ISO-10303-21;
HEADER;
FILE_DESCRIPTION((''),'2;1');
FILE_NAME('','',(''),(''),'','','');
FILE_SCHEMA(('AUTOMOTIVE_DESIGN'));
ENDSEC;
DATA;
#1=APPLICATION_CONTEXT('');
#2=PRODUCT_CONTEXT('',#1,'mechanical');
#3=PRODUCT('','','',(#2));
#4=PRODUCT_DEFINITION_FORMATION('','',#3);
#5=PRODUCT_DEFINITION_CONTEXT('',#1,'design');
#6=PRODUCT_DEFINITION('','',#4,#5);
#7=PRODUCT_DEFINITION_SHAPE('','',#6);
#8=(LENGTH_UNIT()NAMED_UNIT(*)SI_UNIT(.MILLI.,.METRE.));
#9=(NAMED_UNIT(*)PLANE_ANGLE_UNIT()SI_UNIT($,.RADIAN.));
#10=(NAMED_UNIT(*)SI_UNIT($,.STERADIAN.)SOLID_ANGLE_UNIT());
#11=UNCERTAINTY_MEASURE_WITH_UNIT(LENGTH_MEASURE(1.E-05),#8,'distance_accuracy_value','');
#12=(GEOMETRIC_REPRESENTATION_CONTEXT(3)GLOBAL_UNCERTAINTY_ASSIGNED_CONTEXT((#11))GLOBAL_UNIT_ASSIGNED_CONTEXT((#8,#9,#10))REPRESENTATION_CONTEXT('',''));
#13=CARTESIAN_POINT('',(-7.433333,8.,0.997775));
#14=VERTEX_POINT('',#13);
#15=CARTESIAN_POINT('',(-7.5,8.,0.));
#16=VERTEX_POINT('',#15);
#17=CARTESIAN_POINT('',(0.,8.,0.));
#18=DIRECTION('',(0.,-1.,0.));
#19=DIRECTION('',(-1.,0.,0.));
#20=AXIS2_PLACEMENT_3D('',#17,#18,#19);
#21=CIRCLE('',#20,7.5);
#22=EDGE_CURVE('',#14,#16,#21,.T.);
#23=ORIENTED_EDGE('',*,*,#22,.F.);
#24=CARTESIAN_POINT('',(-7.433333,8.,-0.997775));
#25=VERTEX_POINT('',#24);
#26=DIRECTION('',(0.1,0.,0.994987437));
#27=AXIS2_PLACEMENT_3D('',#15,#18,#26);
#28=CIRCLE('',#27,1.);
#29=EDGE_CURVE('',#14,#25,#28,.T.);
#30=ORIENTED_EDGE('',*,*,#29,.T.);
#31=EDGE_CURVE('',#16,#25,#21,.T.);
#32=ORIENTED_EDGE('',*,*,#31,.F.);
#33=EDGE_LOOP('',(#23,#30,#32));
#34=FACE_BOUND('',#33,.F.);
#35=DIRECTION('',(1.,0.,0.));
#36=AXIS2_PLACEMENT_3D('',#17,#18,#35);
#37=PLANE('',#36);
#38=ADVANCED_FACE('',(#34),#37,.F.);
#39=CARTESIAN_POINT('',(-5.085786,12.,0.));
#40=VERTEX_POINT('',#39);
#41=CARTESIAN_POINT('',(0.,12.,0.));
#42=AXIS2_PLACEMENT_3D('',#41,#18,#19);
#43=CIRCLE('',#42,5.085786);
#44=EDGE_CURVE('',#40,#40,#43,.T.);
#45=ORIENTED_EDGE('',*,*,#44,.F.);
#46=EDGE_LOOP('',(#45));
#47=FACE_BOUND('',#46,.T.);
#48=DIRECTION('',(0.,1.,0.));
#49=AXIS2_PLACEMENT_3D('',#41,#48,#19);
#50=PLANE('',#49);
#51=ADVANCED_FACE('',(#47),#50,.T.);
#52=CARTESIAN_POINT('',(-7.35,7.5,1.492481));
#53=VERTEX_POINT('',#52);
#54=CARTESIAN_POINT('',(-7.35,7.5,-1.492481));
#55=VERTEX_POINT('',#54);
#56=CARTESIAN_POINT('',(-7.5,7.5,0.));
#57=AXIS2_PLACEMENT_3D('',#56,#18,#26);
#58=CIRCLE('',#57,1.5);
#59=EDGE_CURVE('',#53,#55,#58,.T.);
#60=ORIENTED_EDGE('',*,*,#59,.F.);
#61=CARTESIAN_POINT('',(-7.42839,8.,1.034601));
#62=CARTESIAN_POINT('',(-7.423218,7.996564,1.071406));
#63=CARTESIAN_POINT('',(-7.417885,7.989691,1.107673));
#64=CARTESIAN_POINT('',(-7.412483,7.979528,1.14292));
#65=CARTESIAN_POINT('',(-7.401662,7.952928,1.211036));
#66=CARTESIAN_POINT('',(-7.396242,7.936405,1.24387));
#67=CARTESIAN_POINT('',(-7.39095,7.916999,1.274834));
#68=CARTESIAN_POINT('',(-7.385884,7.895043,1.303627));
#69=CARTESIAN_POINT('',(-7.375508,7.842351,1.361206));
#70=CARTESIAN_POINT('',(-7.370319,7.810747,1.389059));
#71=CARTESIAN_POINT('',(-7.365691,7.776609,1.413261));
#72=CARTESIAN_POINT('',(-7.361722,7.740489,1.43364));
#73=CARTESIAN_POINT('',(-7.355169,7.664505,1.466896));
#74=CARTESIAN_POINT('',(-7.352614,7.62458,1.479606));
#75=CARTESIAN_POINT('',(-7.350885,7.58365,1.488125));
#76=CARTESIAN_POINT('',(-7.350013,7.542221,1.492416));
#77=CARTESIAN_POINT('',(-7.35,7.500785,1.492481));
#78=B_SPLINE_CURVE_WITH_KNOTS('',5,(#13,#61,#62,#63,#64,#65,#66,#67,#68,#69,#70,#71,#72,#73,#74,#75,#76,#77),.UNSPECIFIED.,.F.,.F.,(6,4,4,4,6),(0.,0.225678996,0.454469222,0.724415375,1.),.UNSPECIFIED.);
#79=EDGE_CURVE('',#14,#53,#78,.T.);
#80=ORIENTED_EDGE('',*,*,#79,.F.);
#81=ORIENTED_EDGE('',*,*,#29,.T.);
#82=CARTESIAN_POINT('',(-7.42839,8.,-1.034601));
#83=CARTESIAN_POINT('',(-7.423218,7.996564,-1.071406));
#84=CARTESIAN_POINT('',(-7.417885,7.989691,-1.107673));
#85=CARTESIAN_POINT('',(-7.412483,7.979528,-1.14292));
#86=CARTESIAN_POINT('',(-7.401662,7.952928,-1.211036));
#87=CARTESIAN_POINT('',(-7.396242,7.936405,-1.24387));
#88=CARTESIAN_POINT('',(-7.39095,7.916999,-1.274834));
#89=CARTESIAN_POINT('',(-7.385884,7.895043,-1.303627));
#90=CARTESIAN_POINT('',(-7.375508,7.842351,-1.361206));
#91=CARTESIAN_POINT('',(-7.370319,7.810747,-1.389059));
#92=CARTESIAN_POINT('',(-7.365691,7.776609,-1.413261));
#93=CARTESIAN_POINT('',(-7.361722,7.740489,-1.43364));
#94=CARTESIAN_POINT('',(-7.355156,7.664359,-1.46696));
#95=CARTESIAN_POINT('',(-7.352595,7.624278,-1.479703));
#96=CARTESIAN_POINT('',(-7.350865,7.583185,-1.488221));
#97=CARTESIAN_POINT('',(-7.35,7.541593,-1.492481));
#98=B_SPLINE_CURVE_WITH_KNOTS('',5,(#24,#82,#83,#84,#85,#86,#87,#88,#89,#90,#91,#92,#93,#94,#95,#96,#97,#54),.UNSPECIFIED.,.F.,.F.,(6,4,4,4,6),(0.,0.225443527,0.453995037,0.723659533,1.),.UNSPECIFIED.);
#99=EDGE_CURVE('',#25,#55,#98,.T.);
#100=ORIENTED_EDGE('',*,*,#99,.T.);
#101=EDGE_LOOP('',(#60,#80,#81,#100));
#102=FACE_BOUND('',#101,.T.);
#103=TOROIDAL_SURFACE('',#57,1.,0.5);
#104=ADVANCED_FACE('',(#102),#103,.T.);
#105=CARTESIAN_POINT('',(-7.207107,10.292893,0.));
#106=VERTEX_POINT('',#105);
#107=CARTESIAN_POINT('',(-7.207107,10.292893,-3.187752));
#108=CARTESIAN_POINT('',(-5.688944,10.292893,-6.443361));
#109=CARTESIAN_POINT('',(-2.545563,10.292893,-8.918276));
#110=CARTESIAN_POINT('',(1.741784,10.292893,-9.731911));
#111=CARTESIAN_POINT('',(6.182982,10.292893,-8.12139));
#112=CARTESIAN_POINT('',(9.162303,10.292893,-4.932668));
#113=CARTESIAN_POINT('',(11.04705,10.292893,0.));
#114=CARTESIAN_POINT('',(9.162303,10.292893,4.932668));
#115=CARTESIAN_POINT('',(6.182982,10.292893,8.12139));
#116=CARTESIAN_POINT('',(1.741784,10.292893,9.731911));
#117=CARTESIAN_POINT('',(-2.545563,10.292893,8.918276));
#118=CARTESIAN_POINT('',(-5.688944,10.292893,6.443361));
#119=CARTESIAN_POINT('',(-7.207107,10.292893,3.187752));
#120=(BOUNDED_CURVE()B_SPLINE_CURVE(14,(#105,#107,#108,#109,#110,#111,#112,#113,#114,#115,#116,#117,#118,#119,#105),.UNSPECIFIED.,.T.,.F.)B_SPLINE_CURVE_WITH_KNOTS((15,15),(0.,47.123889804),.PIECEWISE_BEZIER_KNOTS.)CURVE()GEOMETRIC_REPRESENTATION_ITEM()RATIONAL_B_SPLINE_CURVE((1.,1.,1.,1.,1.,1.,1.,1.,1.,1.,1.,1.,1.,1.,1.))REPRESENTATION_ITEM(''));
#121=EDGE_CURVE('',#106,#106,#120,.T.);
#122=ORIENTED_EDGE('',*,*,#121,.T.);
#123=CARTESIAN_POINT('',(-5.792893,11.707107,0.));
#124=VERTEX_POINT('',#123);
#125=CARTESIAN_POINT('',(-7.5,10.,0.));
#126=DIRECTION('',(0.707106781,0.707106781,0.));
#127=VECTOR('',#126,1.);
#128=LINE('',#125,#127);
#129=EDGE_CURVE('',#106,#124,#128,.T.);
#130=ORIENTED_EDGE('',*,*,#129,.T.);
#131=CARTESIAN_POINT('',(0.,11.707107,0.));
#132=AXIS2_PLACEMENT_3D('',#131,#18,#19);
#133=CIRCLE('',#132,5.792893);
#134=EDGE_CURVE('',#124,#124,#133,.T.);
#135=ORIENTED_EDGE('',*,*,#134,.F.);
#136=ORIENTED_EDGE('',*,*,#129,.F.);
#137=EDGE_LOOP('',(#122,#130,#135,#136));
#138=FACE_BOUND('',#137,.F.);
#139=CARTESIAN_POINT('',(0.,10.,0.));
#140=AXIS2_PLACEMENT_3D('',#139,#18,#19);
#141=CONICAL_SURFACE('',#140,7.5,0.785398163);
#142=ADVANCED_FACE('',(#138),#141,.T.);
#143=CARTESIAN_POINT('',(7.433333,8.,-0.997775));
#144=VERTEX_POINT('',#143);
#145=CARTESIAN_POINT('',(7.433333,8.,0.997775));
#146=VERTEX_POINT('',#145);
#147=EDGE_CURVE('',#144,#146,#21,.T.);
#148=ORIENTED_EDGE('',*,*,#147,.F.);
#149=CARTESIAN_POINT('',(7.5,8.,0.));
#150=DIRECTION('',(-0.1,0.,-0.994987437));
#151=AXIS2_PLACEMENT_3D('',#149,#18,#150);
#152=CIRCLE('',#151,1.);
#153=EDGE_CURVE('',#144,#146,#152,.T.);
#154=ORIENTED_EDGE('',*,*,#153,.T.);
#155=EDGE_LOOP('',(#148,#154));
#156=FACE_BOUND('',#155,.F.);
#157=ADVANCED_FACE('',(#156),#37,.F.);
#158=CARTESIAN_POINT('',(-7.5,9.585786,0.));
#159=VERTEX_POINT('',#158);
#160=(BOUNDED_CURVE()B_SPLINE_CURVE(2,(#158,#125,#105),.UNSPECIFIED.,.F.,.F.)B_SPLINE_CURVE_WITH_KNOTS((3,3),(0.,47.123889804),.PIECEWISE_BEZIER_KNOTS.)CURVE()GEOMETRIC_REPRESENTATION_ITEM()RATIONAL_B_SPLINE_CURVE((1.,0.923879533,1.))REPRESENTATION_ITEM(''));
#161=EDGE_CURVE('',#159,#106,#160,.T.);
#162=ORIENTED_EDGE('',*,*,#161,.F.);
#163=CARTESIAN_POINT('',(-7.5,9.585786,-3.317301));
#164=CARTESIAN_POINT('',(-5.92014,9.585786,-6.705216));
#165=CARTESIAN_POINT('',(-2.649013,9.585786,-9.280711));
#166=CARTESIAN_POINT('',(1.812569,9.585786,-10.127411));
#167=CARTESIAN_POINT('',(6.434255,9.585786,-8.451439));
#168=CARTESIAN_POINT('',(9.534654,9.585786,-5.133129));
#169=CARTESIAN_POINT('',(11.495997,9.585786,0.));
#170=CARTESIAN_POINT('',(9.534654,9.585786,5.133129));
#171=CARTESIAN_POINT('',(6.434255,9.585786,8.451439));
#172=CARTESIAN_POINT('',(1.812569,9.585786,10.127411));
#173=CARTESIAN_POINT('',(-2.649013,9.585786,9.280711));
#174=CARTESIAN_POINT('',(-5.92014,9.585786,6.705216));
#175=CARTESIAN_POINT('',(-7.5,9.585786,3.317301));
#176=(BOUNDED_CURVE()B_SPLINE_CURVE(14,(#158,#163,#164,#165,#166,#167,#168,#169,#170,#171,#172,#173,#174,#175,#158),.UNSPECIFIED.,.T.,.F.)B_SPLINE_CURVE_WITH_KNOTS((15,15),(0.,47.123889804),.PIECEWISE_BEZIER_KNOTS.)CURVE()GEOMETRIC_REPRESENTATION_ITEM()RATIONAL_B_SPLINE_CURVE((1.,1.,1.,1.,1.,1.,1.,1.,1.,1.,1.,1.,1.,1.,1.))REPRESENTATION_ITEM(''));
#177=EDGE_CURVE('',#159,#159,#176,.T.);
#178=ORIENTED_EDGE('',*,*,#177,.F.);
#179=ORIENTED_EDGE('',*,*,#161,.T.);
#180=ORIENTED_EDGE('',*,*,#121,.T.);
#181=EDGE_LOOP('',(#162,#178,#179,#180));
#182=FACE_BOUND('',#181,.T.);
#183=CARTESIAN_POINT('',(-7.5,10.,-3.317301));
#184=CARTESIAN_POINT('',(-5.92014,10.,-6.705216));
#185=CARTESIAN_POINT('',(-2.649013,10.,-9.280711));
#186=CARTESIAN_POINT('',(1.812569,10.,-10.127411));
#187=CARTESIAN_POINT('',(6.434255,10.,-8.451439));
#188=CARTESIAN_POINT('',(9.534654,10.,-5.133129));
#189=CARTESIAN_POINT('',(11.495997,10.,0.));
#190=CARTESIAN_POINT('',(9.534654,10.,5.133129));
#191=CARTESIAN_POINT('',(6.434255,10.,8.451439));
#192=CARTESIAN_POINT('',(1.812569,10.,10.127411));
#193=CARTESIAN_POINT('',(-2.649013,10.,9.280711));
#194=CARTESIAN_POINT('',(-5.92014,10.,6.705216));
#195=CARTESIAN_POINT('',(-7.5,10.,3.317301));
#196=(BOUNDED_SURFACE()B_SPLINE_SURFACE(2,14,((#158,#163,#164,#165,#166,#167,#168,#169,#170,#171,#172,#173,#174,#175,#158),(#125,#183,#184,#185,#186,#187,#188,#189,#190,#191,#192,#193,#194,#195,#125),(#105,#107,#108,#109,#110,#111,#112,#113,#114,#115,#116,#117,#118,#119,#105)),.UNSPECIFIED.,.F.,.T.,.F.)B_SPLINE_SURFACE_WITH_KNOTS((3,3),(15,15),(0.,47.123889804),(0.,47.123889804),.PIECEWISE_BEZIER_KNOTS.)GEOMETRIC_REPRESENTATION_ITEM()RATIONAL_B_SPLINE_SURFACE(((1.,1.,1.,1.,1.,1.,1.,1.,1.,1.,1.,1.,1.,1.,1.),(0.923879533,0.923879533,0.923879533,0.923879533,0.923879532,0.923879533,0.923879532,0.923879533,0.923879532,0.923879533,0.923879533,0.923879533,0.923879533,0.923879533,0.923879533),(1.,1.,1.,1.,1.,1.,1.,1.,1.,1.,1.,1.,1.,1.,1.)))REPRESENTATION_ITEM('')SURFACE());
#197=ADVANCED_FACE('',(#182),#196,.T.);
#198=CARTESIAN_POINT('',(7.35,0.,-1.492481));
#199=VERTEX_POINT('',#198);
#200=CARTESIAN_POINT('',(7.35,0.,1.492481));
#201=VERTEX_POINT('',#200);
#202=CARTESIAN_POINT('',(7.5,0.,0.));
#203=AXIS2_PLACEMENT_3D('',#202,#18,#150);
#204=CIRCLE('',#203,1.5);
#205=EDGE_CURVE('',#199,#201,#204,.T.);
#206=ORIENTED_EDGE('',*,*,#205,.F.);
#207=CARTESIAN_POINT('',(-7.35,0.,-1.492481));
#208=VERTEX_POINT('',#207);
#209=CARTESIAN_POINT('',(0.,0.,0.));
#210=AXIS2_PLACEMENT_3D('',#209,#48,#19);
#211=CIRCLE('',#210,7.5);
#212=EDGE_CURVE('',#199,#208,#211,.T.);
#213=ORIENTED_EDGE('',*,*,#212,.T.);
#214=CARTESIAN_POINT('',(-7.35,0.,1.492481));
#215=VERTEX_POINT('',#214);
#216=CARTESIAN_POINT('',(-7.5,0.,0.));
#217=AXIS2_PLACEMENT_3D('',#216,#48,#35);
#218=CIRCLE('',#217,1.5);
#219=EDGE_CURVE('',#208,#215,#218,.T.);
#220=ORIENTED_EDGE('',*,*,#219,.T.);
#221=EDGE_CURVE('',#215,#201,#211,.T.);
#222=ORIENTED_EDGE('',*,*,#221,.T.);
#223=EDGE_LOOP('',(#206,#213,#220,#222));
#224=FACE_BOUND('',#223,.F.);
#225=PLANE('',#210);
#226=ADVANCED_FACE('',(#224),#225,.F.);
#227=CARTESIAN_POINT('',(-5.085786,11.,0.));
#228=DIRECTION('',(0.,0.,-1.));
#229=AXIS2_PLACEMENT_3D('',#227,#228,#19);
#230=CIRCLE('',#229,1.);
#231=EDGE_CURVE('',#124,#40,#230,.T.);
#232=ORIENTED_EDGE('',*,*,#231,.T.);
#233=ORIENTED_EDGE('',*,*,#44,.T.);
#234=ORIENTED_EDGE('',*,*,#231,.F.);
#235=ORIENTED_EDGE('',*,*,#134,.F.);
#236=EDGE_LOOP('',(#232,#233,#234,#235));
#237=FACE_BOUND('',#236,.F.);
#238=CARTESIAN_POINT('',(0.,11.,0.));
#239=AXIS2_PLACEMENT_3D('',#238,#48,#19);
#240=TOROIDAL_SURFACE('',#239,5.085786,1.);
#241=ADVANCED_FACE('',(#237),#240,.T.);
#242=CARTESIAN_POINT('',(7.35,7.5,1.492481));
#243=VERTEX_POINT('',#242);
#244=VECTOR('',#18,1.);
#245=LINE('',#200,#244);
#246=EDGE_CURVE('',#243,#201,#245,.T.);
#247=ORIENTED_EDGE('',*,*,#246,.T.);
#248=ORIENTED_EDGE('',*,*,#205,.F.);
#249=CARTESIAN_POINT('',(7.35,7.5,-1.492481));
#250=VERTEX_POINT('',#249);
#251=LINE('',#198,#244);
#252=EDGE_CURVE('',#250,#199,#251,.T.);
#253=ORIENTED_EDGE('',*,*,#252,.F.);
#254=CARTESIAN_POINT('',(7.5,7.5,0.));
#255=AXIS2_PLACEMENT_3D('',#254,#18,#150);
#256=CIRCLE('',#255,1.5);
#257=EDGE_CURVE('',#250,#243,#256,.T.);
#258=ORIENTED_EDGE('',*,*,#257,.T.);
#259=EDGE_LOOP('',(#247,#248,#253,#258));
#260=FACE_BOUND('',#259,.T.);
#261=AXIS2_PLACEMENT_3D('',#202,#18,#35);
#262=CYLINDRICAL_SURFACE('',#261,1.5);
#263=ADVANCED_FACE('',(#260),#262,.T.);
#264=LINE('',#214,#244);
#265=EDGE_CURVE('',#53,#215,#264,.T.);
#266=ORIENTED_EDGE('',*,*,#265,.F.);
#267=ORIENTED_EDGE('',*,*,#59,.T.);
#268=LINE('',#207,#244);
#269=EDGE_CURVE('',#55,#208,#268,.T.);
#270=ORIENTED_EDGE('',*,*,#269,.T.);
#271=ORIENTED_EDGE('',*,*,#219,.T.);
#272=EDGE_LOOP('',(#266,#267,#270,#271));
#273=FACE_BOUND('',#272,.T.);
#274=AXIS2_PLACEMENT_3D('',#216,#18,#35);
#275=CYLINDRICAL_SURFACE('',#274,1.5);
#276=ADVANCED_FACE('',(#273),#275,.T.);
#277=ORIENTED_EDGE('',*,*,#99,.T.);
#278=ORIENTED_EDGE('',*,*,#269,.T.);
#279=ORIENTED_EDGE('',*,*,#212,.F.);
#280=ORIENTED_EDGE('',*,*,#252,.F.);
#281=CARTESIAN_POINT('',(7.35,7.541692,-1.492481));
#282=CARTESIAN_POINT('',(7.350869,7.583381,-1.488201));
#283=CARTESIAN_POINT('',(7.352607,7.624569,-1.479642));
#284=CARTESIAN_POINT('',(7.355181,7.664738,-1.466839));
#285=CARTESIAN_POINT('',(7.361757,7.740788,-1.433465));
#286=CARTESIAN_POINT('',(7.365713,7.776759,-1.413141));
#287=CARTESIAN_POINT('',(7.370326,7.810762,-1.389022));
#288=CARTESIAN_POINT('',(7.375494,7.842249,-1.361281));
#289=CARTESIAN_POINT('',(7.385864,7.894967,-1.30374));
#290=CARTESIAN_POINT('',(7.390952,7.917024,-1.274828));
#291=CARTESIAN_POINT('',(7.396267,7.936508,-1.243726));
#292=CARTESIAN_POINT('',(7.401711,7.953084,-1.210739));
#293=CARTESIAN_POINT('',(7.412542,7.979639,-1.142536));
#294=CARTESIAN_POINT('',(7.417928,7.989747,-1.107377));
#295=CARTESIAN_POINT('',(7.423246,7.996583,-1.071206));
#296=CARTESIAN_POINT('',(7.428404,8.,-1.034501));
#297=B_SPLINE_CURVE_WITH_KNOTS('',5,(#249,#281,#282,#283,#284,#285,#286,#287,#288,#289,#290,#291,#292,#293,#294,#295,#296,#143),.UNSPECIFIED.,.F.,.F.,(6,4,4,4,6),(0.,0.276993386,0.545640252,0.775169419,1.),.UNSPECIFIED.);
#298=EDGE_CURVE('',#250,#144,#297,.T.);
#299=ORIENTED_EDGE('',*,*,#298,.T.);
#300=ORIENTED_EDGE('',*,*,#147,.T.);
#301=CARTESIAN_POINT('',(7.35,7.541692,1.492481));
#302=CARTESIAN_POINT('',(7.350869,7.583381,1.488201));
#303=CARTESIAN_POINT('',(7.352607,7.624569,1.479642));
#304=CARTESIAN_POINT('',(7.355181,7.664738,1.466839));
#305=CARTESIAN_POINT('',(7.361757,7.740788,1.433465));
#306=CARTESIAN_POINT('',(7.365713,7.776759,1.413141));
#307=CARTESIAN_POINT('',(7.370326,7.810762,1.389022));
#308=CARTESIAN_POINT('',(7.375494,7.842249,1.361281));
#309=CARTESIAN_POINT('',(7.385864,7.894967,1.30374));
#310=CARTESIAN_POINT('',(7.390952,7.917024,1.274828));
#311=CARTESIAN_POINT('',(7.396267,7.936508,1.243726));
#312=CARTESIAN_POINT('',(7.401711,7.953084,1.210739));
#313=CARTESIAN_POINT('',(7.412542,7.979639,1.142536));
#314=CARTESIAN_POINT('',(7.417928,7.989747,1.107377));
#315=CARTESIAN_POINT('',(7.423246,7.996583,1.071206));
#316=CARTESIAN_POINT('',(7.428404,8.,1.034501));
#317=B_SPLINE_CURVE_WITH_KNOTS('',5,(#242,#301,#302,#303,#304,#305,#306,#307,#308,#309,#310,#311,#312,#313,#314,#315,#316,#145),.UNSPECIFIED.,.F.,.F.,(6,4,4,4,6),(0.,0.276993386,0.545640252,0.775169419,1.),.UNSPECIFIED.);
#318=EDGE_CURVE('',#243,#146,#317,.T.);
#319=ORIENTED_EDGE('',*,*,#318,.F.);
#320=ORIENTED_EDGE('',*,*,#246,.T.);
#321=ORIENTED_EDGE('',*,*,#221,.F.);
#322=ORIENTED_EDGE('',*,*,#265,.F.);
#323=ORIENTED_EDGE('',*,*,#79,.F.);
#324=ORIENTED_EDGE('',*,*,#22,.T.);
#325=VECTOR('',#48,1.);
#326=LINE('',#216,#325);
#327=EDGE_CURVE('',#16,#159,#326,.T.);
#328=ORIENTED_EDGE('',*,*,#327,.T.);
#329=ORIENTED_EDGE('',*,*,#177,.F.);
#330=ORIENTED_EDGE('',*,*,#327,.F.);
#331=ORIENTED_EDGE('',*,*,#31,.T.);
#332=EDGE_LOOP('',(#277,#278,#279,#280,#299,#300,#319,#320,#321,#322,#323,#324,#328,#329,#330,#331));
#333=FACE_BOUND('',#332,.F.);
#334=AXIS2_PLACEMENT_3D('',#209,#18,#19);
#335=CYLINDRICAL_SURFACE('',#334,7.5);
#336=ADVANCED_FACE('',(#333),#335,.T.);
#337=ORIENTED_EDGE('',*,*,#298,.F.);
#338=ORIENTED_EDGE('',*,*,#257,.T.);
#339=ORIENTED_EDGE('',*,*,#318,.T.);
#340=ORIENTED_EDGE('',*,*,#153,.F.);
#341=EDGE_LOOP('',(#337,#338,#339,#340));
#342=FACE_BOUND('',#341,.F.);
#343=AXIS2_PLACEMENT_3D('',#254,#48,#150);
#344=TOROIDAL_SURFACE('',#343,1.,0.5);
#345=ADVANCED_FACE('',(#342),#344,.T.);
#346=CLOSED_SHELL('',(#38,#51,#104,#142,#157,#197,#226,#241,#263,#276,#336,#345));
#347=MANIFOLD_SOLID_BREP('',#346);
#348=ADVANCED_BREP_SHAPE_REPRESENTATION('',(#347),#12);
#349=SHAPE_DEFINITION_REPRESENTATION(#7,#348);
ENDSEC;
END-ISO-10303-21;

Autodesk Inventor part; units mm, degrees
ref_plane "YZ Plane" through (0, 0, 0) normal (1, 0, 0) x (0, 1, 0)
ref_plane "XZ Plane" through (0, 0, 0) normal (0, 1, 0) x (-1, 0, 0)
ref_plane "XY Plane" through (0, 0, 0) normal (0, 0, 1) x (1, 0, 0)
sketch "Skizze1" plane through (0, 0, 0) normal (0, 1, 0) x (-1, 0, 0)
  circle A0 centre (0, 0) radius 7.5
  circle A1 centre (7.5, 0) radius 1.5
  circle A2 centre (-7.5, 0) radius 1.5
  dimension "d0" = 15
  dimension "d1" = 3
  dimension "d2" = 3
extrude "Extrusion1" add sketch "Skizze1" along normal blind 12 contours A0 A1 | A1 A0 A2 | A2 A0 picked at (7.0094, -0.2882) picked at (-6.9889, 0)
sketch "Skizze2" plane through (0, 0, 0) normal (0, -1, 0) x (1, 0, 0)
  circle A0 centre (0, 0) radius 7.5 projected
  circle A1 centre (7.5, 0) radius 1.5
  circle A2 centre (-7.5, 0) radius 1.5
  dimension "d5" = 3
  dimension "d6" = 3
extrude "Extrusion2" add sketch "Skizze2" against normal blind 8 contours A0 A1 | A0 A1 | A2 A0 | A0 A2
chamfer "Fase1" distance 2 angle 45 1 edges at (7.5, 12, 0)
fillet "Rundung1" radius 1 2 edges at (7.5, 10, 0) (5.5, 12, 0)
fillet "Rundung2" radius 0.5 2 edges at (9, 8, 0) (-9, 8, 0)
properties part number "case"
